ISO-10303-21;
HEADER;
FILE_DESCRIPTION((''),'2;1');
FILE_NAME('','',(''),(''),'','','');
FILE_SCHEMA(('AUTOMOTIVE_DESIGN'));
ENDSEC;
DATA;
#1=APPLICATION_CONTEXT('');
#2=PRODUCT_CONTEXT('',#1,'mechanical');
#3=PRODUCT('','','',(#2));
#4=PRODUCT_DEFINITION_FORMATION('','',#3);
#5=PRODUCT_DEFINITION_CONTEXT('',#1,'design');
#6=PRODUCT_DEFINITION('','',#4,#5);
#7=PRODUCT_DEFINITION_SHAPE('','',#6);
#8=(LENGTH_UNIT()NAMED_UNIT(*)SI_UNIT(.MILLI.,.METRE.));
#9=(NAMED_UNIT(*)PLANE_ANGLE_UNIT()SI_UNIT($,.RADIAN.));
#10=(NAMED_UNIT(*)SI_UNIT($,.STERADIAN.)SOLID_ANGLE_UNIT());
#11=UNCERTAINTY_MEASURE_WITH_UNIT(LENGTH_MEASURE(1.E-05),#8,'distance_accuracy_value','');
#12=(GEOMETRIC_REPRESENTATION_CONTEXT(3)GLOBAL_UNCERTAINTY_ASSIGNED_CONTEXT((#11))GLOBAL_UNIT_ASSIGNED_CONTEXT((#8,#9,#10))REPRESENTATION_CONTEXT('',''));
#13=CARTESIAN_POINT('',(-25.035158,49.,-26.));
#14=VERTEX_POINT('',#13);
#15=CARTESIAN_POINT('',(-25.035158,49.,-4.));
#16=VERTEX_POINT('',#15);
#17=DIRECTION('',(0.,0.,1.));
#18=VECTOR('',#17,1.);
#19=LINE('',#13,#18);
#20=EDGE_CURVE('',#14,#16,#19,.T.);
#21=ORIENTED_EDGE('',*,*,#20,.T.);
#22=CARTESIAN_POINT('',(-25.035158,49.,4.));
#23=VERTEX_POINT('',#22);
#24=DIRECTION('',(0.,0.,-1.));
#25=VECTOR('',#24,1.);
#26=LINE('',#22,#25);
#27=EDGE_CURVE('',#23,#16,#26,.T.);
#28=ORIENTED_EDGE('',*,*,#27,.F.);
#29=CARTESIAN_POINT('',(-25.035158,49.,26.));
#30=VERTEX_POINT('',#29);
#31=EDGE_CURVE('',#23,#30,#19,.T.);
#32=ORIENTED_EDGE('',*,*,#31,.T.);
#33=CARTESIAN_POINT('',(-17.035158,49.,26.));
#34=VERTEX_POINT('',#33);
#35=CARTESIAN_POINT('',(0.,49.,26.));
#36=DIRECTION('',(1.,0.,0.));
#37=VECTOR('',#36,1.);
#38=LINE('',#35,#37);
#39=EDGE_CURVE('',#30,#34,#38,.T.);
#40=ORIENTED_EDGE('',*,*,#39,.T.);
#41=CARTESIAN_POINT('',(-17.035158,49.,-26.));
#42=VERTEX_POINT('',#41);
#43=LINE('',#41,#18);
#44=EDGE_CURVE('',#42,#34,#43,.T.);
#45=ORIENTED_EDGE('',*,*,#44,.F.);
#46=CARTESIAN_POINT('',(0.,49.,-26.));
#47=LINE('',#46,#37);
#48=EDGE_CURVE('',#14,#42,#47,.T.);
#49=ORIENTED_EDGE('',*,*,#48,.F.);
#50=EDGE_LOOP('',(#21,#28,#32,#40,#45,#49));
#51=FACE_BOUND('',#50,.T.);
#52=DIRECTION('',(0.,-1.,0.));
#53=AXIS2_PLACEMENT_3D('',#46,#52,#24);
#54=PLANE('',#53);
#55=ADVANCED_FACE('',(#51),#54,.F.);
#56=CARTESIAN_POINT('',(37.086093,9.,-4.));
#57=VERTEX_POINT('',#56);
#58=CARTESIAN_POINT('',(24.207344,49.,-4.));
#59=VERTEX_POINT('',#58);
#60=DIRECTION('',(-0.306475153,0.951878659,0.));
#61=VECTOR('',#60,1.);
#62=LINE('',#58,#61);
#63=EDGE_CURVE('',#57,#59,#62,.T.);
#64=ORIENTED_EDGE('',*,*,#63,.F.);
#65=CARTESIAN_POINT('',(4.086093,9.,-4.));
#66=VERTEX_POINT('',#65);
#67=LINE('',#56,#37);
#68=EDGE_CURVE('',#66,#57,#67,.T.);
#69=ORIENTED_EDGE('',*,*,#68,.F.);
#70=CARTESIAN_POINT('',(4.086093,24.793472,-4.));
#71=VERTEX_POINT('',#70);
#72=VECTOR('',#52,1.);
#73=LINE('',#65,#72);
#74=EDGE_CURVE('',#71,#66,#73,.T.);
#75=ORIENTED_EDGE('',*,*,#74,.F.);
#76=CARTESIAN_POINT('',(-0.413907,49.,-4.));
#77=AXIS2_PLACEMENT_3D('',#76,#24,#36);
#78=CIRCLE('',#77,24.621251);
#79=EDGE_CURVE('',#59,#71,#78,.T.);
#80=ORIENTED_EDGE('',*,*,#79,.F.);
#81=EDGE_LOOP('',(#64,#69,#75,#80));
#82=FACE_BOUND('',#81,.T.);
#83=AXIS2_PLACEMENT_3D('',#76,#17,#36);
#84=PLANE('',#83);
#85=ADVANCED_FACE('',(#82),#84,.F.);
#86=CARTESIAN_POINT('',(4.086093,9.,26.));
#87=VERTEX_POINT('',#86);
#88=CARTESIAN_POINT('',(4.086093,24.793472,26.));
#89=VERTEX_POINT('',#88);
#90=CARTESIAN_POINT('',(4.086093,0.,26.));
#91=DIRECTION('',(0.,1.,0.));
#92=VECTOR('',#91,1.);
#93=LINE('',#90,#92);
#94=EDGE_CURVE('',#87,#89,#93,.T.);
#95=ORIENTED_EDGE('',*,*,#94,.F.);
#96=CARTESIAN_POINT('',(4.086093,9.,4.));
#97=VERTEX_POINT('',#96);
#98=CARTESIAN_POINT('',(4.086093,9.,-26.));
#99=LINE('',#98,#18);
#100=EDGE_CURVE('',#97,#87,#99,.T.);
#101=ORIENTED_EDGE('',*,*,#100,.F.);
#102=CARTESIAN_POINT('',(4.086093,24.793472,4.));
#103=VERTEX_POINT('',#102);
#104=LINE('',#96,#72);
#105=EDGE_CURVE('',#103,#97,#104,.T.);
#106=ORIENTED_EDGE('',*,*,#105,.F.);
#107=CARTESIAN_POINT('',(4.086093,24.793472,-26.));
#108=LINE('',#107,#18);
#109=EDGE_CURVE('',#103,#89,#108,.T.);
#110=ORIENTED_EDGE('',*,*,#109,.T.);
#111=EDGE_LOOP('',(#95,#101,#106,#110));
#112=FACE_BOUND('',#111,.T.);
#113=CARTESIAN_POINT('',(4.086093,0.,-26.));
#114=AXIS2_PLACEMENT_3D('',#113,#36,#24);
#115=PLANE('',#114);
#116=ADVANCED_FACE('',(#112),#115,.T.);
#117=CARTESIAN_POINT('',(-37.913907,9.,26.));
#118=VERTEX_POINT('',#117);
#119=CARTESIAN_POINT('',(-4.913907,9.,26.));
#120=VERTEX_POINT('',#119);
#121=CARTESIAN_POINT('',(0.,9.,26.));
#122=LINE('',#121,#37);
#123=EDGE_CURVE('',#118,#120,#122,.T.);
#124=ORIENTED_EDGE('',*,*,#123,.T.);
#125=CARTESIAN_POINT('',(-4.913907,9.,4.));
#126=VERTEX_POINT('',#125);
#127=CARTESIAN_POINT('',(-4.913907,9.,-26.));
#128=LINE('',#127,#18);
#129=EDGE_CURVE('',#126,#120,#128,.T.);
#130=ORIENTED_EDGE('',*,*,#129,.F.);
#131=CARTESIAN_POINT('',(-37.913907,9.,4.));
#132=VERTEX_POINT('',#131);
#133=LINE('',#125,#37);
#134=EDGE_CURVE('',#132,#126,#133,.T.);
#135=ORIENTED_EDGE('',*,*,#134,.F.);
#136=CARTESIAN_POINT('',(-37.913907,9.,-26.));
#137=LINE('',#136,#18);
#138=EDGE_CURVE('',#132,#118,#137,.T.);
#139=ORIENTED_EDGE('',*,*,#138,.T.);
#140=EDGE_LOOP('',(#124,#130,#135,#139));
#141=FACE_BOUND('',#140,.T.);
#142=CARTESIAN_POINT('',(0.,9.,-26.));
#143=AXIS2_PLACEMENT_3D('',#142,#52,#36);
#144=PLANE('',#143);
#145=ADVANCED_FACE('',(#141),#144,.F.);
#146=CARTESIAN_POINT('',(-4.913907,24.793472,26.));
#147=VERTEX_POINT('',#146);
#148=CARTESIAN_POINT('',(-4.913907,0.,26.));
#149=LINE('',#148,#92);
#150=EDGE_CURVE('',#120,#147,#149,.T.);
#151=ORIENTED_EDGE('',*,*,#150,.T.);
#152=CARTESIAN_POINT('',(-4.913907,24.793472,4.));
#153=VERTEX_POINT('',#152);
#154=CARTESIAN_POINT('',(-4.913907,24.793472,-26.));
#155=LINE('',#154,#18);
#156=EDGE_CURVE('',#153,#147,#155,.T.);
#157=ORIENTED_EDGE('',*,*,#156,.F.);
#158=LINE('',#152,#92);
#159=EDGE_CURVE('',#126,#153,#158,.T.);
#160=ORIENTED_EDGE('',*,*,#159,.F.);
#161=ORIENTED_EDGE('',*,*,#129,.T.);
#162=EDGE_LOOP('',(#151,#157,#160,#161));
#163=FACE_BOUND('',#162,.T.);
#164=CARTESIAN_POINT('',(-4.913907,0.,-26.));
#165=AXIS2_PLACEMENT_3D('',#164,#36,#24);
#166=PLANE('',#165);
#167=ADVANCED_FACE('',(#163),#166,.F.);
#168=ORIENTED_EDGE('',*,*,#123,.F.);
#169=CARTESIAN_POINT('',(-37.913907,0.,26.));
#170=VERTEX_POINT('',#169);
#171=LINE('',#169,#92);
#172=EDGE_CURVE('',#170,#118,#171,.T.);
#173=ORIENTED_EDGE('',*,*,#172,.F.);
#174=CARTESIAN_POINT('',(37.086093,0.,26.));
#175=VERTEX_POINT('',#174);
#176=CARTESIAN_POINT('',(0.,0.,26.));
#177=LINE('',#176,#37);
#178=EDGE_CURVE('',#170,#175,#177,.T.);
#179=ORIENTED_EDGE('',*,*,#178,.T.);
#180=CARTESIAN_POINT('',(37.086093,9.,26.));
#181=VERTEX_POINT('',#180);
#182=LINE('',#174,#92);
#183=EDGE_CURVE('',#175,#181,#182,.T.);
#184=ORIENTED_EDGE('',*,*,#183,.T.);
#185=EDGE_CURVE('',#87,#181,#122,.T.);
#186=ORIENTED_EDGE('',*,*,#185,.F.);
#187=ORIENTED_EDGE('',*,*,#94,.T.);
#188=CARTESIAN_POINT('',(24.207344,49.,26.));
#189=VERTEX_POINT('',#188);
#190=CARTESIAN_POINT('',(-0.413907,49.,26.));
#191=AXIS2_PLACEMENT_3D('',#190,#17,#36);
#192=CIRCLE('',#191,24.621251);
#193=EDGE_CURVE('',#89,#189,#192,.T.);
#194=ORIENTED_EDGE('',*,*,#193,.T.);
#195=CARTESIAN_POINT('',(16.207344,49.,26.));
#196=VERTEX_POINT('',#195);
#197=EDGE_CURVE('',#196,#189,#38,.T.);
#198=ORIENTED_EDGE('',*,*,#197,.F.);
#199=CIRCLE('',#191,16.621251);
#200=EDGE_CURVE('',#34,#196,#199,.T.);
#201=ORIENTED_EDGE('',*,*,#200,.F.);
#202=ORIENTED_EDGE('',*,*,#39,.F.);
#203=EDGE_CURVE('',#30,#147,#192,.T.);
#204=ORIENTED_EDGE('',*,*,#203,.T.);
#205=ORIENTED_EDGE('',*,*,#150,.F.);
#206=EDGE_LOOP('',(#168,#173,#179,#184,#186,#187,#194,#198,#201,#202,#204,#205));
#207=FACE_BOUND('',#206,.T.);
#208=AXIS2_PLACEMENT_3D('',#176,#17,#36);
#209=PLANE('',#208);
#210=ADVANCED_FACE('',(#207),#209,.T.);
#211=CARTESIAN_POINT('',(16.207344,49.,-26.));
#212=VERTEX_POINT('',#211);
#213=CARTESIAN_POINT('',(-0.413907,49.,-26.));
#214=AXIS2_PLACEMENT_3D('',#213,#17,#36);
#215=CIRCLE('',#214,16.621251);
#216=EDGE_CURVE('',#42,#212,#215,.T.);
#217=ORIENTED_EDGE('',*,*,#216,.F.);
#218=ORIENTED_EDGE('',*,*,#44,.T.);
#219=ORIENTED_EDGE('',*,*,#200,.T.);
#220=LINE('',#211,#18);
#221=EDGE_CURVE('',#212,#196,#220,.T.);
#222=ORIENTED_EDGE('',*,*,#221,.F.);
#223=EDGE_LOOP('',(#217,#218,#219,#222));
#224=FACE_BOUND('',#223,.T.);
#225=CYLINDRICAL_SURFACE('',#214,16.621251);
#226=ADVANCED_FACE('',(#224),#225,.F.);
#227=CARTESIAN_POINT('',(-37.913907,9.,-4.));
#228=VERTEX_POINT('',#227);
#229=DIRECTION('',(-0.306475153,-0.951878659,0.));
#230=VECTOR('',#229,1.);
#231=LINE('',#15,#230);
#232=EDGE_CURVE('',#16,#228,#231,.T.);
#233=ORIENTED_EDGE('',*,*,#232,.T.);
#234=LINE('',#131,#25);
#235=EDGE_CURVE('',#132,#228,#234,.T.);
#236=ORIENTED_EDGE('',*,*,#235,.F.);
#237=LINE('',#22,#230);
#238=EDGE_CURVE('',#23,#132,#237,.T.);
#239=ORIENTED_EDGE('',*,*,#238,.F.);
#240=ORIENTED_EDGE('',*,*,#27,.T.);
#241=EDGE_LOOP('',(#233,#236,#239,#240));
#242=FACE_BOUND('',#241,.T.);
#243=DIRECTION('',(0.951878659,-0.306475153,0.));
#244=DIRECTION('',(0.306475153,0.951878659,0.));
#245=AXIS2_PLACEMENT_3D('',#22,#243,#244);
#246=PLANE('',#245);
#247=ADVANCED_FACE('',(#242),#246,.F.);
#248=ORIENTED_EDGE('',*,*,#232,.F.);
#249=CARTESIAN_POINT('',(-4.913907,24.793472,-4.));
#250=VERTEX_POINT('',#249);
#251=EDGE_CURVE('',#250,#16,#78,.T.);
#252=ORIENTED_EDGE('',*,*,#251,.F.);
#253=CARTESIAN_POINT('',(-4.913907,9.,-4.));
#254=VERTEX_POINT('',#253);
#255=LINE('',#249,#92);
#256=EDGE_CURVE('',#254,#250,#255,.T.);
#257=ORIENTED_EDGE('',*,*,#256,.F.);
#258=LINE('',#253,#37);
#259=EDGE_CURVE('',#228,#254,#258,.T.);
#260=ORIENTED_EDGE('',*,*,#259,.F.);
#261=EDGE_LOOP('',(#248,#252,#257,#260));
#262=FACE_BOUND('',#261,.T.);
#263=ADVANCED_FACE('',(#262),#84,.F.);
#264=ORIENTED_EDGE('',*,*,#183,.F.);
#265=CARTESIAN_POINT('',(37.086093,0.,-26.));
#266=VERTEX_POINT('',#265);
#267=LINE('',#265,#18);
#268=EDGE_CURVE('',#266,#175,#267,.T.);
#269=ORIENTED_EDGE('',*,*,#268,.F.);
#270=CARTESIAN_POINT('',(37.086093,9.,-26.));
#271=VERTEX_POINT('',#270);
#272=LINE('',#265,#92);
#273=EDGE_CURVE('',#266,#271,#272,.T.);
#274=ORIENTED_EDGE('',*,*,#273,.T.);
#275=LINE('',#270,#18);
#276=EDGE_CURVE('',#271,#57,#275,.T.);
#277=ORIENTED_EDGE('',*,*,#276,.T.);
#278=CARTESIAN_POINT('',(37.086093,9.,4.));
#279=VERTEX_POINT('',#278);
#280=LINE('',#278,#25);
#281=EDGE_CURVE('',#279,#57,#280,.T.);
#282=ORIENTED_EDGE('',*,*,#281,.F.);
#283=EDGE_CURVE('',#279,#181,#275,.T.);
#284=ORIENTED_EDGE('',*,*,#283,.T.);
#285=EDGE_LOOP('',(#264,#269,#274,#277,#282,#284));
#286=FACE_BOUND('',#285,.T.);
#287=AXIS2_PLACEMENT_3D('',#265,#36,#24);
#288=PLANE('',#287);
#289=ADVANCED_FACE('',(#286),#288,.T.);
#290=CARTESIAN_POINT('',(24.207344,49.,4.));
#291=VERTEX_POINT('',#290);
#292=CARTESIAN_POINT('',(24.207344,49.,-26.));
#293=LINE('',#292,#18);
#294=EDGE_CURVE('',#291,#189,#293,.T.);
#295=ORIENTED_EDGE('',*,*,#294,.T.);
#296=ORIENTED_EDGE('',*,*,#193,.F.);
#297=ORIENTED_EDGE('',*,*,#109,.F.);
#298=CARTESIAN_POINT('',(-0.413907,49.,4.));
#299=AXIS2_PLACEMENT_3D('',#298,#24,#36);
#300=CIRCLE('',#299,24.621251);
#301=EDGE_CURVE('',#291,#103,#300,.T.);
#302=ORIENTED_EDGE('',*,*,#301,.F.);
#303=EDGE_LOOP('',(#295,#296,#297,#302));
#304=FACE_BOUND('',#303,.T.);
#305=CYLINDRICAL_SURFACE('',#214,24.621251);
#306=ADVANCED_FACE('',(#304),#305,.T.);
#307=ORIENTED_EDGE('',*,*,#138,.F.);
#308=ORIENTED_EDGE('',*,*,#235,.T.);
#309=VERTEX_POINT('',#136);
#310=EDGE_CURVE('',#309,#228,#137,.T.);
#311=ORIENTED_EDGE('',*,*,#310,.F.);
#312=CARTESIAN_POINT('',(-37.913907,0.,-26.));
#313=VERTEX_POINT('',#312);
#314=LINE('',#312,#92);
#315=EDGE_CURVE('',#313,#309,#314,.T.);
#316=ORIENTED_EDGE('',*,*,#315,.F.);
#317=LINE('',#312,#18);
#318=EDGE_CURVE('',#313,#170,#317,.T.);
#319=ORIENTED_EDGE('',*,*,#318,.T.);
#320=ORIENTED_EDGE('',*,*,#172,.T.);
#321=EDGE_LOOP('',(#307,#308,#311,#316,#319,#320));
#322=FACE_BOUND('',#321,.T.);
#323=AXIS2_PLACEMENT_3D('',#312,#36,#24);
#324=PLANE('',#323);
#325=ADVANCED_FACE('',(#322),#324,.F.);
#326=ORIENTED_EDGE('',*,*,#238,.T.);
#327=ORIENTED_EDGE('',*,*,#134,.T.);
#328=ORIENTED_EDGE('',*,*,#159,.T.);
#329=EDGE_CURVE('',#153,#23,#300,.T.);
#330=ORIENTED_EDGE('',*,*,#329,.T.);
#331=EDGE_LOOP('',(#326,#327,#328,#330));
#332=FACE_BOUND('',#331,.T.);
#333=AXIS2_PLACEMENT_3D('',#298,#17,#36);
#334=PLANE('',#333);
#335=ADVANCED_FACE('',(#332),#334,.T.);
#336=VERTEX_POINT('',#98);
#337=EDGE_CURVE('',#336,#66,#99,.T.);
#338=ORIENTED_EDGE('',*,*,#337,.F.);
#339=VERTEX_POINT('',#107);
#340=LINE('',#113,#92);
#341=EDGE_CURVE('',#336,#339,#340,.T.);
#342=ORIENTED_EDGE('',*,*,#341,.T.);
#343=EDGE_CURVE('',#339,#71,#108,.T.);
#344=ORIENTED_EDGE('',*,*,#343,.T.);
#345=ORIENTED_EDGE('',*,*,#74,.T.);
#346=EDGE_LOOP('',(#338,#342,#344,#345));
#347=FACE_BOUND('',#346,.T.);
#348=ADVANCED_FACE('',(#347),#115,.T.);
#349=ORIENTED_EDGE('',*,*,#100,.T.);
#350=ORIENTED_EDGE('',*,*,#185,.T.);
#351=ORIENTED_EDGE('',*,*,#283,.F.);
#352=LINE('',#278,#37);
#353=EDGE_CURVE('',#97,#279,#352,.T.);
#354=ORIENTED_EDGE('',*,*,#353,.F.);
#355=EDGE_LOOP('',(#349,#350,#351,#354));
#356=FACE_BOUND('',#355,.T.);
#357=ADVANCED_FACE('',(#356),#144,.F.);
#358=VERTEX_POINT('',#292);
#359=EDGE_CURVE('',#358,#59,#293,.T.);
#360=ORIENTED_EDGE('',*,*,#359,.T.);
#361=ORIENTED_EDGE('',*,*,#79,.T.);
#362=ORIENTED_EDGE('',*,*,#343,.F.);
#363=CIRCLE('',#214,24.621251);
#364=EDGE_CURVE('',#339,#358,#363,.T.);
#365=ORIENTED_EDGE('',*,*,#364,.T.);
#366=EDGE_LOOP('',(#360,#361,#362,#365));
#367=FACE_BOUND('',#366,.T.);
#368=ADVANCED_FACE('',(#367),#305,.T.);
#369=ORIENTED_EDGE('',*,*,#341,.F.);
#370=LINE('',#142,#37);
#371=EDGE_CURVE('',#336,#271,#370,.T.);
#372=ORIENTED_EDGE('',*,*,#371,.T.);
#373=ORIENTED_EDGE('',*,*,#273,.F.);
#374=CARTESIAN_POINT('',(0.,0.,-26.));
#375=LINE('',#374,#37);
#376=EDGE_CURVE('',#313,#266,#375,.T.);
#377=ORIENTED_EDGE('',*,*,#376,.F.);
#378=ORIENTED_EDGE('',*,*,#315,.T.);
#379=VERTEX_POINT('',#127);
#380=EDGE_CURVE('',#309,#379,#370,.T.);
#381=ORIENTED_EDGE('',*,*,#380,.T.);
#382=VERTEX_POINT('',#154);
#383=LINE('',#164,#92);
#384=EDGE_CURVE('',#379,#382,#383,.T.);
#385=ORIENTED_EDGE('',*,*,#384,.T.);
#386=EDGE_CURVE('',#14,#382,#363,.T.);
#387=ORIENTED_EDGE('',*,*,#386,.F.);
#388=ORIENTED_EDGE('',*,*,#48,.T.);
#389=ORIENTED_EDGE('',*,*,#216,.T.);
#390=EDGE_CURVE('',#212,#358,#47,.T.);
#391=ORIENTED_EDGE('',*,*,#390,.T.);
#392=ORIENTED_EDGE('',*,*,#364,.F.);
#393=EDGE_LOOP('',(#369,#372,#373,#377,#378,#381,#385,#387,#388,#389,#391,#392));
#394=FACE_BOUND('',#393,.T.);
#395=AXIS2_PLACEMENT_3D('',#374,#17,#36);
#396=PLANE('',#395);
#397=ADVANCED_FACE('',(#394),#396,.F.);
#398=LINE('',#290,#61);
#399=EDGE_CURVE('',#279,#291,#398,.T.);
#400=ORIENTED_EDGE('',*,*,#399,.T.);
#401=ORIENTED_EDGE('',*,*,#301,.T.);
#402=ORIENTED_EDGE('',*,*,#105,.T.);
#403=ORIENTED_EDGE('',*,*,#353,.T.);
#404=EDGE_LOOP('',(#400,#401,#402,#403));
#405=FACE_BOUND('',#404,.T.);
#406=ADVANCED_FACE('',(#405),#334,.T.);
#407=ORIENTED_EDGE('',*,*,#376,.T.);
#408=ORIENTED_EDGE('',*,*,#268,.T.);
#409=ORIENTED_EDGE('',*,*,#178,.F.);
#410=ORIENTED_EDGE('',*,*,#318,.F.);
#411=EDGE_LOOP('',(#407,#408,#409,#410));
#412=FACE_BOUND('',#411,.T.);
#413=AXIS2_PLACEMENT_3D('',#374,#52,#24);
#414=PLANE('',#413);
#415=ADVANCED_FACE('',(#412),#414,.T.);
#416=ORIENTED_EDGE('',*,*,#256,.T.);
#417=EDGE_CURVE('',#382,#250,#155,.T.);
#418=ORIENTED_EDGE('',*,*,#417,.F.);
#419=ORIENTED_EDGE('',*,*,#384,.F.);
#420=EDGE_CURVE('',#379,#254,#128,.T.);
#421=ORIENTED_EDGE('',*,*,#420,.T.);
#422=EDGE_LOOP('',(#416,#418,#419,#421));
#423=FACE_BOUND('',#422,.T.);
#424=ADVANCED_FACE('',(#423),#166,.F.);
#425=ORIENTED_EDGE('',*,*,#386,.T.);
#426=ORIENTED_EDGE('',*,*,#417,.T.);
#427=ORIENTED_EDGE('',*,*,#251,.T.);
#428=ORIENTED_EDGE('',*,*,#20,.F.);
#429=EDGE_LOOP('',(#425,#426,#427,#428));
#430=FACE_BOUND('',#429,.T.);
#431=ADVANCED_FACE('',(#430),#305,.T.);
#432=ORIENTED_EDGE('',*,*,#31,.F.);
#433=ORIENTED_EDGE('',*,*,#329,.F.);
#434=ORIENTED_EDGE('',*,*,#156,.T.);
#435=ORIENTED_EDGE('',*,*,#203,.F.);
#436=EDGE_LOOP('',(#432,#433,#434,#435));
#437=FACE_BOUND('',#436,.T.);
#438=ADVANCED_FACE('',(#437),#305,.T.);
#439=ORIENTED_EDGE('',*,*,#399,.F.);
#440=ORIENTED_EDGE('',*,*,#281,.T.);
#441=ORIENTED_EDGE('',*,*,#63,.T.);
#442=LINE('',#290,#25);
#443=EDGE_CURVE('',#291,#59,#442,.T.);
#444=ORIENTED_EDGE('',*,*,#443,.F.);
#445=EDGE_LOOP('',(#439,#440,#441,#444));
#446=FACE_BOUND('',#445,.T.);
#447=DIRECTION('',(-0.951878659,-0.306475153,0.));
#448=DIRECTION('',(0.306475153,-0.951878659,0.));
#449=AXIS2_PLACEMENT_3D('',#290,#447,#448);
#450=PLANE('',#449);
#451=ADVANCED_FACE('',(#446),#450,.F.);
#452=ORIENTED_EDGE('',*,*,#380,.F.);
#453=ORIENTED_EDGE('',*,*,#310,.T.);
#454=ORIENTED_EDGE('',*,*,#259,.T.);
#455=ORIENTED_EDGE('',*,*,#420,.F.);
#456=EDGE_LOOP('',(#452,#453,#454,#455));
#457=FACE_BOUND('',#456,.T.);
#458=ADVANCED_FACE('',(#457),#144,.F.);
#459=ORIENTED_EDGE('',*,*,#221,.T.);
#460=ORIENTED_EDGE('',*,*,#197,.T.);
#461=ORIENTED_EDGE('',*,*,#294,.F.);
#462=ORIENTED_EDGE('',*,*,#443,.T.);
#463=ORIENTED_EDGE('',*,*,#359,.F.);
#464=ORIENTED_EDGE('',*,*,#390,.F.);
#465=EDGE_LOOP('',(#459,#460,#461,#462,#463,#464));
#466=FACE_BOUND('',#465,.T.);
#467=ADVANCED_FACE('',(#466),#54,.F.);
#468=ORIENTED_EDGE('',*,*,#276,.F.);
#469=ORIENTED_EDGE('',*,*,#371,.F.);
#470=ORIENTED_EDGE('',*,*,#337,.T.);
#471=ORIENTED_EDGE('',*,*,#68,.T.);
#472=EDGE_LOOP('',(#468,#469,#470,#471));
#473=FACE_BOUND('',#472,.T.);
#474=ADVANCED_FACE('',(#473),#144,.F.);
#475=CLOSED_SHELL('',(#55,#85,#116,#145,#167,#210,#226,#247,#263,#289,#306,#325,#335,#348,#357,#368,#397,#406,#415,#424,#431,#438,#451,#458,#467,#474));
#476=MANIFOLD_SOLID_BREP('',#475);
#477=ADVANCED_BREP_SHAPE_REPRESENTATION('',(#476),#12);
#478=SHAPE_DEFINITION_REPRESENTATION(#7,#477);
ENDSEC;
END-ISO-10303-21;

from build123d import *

# Parameters (mm, degrees)
BOSS_EXTRUDE1_DEPTH = 52
BOSS_EXTRUDE2_DEPTH = 4


with BuildPart() as part:
    # Sketch1 → Boss-Extrude1 (new body)
    with BuildSketch(Plane.XY):
        with BuildLine():
            Line((-37.913907285, 9), (-37.913907285, 0))
            Line((-37.913907285, 0), (37.086092715, 0))
            Line((37.086092715, 0), (37.086092715, 9))
            Line((37.086092715, 9), (4.086092715, 9))
            Line((4.086092715, 9), (4.086092715, 24.793471725))
            ThreePointArc((4.086092715, 24.793471725), (18.520210619, 33.261347251), (24.207343925, 49))
            Line((24.207343925, 49), (16.207343925, 49))
            ThreePointArc((16.207343925, 49), (-0.413907285, 32.37874879), (-17.035158495, 49))
            Line((-17.035158495, 49), (-25.035158495, 49))
            ThreePointArc((-25.035158495, 49), (-19.348025189, 33.261347251), (-4.913907285, 24.793471725))
            Line((-4.913907285, 24.793471725), (-4.913907285, 9))
            Line((-4.913907285, 9), (-37.913907285, 9))
        make_face()
    extrude(amount=-BOSS_EXTRUDE1_DEPTH)


with BuildPart() as part_1:
    # Body-Move/Copy1: moved
    add(part.part.moved(Location((0, 0, 26))))

    # Sketch3 → Boss-Extrude2 (add, symmetric)
    with BuildSketch(Plane.XY):
        with BuildLine():
            Line((24.207343925, 49), (37.086092715, 9))
            Line((37.086092715, 9), (4.086092715, 9))
            Line((4.086092715, 9), (4.086092715, 24.793471725))
            ThreePointArc((4.086092715, 24.793471725), (18.520210619, 33.261347251), (24.207343925, 49))
        make_face()
        with BuildLine():
            Line((-25.035158495, 49), (-37.913907285, 9))
            Line((-37.913907285, 9), (-4.913907285, 9))
            Line((-4.913907285, 9), (-4.913907285, 24.793471725))
            ThreePointArc((-4.913907285, 24.793471725), (-19.348025189, 33.261347251), (-25.035158495, 49))
        make_face()
    extrude(amount=BOSS_EXTRUDE2_DEPTH, both=True)


solid = part_1.part
